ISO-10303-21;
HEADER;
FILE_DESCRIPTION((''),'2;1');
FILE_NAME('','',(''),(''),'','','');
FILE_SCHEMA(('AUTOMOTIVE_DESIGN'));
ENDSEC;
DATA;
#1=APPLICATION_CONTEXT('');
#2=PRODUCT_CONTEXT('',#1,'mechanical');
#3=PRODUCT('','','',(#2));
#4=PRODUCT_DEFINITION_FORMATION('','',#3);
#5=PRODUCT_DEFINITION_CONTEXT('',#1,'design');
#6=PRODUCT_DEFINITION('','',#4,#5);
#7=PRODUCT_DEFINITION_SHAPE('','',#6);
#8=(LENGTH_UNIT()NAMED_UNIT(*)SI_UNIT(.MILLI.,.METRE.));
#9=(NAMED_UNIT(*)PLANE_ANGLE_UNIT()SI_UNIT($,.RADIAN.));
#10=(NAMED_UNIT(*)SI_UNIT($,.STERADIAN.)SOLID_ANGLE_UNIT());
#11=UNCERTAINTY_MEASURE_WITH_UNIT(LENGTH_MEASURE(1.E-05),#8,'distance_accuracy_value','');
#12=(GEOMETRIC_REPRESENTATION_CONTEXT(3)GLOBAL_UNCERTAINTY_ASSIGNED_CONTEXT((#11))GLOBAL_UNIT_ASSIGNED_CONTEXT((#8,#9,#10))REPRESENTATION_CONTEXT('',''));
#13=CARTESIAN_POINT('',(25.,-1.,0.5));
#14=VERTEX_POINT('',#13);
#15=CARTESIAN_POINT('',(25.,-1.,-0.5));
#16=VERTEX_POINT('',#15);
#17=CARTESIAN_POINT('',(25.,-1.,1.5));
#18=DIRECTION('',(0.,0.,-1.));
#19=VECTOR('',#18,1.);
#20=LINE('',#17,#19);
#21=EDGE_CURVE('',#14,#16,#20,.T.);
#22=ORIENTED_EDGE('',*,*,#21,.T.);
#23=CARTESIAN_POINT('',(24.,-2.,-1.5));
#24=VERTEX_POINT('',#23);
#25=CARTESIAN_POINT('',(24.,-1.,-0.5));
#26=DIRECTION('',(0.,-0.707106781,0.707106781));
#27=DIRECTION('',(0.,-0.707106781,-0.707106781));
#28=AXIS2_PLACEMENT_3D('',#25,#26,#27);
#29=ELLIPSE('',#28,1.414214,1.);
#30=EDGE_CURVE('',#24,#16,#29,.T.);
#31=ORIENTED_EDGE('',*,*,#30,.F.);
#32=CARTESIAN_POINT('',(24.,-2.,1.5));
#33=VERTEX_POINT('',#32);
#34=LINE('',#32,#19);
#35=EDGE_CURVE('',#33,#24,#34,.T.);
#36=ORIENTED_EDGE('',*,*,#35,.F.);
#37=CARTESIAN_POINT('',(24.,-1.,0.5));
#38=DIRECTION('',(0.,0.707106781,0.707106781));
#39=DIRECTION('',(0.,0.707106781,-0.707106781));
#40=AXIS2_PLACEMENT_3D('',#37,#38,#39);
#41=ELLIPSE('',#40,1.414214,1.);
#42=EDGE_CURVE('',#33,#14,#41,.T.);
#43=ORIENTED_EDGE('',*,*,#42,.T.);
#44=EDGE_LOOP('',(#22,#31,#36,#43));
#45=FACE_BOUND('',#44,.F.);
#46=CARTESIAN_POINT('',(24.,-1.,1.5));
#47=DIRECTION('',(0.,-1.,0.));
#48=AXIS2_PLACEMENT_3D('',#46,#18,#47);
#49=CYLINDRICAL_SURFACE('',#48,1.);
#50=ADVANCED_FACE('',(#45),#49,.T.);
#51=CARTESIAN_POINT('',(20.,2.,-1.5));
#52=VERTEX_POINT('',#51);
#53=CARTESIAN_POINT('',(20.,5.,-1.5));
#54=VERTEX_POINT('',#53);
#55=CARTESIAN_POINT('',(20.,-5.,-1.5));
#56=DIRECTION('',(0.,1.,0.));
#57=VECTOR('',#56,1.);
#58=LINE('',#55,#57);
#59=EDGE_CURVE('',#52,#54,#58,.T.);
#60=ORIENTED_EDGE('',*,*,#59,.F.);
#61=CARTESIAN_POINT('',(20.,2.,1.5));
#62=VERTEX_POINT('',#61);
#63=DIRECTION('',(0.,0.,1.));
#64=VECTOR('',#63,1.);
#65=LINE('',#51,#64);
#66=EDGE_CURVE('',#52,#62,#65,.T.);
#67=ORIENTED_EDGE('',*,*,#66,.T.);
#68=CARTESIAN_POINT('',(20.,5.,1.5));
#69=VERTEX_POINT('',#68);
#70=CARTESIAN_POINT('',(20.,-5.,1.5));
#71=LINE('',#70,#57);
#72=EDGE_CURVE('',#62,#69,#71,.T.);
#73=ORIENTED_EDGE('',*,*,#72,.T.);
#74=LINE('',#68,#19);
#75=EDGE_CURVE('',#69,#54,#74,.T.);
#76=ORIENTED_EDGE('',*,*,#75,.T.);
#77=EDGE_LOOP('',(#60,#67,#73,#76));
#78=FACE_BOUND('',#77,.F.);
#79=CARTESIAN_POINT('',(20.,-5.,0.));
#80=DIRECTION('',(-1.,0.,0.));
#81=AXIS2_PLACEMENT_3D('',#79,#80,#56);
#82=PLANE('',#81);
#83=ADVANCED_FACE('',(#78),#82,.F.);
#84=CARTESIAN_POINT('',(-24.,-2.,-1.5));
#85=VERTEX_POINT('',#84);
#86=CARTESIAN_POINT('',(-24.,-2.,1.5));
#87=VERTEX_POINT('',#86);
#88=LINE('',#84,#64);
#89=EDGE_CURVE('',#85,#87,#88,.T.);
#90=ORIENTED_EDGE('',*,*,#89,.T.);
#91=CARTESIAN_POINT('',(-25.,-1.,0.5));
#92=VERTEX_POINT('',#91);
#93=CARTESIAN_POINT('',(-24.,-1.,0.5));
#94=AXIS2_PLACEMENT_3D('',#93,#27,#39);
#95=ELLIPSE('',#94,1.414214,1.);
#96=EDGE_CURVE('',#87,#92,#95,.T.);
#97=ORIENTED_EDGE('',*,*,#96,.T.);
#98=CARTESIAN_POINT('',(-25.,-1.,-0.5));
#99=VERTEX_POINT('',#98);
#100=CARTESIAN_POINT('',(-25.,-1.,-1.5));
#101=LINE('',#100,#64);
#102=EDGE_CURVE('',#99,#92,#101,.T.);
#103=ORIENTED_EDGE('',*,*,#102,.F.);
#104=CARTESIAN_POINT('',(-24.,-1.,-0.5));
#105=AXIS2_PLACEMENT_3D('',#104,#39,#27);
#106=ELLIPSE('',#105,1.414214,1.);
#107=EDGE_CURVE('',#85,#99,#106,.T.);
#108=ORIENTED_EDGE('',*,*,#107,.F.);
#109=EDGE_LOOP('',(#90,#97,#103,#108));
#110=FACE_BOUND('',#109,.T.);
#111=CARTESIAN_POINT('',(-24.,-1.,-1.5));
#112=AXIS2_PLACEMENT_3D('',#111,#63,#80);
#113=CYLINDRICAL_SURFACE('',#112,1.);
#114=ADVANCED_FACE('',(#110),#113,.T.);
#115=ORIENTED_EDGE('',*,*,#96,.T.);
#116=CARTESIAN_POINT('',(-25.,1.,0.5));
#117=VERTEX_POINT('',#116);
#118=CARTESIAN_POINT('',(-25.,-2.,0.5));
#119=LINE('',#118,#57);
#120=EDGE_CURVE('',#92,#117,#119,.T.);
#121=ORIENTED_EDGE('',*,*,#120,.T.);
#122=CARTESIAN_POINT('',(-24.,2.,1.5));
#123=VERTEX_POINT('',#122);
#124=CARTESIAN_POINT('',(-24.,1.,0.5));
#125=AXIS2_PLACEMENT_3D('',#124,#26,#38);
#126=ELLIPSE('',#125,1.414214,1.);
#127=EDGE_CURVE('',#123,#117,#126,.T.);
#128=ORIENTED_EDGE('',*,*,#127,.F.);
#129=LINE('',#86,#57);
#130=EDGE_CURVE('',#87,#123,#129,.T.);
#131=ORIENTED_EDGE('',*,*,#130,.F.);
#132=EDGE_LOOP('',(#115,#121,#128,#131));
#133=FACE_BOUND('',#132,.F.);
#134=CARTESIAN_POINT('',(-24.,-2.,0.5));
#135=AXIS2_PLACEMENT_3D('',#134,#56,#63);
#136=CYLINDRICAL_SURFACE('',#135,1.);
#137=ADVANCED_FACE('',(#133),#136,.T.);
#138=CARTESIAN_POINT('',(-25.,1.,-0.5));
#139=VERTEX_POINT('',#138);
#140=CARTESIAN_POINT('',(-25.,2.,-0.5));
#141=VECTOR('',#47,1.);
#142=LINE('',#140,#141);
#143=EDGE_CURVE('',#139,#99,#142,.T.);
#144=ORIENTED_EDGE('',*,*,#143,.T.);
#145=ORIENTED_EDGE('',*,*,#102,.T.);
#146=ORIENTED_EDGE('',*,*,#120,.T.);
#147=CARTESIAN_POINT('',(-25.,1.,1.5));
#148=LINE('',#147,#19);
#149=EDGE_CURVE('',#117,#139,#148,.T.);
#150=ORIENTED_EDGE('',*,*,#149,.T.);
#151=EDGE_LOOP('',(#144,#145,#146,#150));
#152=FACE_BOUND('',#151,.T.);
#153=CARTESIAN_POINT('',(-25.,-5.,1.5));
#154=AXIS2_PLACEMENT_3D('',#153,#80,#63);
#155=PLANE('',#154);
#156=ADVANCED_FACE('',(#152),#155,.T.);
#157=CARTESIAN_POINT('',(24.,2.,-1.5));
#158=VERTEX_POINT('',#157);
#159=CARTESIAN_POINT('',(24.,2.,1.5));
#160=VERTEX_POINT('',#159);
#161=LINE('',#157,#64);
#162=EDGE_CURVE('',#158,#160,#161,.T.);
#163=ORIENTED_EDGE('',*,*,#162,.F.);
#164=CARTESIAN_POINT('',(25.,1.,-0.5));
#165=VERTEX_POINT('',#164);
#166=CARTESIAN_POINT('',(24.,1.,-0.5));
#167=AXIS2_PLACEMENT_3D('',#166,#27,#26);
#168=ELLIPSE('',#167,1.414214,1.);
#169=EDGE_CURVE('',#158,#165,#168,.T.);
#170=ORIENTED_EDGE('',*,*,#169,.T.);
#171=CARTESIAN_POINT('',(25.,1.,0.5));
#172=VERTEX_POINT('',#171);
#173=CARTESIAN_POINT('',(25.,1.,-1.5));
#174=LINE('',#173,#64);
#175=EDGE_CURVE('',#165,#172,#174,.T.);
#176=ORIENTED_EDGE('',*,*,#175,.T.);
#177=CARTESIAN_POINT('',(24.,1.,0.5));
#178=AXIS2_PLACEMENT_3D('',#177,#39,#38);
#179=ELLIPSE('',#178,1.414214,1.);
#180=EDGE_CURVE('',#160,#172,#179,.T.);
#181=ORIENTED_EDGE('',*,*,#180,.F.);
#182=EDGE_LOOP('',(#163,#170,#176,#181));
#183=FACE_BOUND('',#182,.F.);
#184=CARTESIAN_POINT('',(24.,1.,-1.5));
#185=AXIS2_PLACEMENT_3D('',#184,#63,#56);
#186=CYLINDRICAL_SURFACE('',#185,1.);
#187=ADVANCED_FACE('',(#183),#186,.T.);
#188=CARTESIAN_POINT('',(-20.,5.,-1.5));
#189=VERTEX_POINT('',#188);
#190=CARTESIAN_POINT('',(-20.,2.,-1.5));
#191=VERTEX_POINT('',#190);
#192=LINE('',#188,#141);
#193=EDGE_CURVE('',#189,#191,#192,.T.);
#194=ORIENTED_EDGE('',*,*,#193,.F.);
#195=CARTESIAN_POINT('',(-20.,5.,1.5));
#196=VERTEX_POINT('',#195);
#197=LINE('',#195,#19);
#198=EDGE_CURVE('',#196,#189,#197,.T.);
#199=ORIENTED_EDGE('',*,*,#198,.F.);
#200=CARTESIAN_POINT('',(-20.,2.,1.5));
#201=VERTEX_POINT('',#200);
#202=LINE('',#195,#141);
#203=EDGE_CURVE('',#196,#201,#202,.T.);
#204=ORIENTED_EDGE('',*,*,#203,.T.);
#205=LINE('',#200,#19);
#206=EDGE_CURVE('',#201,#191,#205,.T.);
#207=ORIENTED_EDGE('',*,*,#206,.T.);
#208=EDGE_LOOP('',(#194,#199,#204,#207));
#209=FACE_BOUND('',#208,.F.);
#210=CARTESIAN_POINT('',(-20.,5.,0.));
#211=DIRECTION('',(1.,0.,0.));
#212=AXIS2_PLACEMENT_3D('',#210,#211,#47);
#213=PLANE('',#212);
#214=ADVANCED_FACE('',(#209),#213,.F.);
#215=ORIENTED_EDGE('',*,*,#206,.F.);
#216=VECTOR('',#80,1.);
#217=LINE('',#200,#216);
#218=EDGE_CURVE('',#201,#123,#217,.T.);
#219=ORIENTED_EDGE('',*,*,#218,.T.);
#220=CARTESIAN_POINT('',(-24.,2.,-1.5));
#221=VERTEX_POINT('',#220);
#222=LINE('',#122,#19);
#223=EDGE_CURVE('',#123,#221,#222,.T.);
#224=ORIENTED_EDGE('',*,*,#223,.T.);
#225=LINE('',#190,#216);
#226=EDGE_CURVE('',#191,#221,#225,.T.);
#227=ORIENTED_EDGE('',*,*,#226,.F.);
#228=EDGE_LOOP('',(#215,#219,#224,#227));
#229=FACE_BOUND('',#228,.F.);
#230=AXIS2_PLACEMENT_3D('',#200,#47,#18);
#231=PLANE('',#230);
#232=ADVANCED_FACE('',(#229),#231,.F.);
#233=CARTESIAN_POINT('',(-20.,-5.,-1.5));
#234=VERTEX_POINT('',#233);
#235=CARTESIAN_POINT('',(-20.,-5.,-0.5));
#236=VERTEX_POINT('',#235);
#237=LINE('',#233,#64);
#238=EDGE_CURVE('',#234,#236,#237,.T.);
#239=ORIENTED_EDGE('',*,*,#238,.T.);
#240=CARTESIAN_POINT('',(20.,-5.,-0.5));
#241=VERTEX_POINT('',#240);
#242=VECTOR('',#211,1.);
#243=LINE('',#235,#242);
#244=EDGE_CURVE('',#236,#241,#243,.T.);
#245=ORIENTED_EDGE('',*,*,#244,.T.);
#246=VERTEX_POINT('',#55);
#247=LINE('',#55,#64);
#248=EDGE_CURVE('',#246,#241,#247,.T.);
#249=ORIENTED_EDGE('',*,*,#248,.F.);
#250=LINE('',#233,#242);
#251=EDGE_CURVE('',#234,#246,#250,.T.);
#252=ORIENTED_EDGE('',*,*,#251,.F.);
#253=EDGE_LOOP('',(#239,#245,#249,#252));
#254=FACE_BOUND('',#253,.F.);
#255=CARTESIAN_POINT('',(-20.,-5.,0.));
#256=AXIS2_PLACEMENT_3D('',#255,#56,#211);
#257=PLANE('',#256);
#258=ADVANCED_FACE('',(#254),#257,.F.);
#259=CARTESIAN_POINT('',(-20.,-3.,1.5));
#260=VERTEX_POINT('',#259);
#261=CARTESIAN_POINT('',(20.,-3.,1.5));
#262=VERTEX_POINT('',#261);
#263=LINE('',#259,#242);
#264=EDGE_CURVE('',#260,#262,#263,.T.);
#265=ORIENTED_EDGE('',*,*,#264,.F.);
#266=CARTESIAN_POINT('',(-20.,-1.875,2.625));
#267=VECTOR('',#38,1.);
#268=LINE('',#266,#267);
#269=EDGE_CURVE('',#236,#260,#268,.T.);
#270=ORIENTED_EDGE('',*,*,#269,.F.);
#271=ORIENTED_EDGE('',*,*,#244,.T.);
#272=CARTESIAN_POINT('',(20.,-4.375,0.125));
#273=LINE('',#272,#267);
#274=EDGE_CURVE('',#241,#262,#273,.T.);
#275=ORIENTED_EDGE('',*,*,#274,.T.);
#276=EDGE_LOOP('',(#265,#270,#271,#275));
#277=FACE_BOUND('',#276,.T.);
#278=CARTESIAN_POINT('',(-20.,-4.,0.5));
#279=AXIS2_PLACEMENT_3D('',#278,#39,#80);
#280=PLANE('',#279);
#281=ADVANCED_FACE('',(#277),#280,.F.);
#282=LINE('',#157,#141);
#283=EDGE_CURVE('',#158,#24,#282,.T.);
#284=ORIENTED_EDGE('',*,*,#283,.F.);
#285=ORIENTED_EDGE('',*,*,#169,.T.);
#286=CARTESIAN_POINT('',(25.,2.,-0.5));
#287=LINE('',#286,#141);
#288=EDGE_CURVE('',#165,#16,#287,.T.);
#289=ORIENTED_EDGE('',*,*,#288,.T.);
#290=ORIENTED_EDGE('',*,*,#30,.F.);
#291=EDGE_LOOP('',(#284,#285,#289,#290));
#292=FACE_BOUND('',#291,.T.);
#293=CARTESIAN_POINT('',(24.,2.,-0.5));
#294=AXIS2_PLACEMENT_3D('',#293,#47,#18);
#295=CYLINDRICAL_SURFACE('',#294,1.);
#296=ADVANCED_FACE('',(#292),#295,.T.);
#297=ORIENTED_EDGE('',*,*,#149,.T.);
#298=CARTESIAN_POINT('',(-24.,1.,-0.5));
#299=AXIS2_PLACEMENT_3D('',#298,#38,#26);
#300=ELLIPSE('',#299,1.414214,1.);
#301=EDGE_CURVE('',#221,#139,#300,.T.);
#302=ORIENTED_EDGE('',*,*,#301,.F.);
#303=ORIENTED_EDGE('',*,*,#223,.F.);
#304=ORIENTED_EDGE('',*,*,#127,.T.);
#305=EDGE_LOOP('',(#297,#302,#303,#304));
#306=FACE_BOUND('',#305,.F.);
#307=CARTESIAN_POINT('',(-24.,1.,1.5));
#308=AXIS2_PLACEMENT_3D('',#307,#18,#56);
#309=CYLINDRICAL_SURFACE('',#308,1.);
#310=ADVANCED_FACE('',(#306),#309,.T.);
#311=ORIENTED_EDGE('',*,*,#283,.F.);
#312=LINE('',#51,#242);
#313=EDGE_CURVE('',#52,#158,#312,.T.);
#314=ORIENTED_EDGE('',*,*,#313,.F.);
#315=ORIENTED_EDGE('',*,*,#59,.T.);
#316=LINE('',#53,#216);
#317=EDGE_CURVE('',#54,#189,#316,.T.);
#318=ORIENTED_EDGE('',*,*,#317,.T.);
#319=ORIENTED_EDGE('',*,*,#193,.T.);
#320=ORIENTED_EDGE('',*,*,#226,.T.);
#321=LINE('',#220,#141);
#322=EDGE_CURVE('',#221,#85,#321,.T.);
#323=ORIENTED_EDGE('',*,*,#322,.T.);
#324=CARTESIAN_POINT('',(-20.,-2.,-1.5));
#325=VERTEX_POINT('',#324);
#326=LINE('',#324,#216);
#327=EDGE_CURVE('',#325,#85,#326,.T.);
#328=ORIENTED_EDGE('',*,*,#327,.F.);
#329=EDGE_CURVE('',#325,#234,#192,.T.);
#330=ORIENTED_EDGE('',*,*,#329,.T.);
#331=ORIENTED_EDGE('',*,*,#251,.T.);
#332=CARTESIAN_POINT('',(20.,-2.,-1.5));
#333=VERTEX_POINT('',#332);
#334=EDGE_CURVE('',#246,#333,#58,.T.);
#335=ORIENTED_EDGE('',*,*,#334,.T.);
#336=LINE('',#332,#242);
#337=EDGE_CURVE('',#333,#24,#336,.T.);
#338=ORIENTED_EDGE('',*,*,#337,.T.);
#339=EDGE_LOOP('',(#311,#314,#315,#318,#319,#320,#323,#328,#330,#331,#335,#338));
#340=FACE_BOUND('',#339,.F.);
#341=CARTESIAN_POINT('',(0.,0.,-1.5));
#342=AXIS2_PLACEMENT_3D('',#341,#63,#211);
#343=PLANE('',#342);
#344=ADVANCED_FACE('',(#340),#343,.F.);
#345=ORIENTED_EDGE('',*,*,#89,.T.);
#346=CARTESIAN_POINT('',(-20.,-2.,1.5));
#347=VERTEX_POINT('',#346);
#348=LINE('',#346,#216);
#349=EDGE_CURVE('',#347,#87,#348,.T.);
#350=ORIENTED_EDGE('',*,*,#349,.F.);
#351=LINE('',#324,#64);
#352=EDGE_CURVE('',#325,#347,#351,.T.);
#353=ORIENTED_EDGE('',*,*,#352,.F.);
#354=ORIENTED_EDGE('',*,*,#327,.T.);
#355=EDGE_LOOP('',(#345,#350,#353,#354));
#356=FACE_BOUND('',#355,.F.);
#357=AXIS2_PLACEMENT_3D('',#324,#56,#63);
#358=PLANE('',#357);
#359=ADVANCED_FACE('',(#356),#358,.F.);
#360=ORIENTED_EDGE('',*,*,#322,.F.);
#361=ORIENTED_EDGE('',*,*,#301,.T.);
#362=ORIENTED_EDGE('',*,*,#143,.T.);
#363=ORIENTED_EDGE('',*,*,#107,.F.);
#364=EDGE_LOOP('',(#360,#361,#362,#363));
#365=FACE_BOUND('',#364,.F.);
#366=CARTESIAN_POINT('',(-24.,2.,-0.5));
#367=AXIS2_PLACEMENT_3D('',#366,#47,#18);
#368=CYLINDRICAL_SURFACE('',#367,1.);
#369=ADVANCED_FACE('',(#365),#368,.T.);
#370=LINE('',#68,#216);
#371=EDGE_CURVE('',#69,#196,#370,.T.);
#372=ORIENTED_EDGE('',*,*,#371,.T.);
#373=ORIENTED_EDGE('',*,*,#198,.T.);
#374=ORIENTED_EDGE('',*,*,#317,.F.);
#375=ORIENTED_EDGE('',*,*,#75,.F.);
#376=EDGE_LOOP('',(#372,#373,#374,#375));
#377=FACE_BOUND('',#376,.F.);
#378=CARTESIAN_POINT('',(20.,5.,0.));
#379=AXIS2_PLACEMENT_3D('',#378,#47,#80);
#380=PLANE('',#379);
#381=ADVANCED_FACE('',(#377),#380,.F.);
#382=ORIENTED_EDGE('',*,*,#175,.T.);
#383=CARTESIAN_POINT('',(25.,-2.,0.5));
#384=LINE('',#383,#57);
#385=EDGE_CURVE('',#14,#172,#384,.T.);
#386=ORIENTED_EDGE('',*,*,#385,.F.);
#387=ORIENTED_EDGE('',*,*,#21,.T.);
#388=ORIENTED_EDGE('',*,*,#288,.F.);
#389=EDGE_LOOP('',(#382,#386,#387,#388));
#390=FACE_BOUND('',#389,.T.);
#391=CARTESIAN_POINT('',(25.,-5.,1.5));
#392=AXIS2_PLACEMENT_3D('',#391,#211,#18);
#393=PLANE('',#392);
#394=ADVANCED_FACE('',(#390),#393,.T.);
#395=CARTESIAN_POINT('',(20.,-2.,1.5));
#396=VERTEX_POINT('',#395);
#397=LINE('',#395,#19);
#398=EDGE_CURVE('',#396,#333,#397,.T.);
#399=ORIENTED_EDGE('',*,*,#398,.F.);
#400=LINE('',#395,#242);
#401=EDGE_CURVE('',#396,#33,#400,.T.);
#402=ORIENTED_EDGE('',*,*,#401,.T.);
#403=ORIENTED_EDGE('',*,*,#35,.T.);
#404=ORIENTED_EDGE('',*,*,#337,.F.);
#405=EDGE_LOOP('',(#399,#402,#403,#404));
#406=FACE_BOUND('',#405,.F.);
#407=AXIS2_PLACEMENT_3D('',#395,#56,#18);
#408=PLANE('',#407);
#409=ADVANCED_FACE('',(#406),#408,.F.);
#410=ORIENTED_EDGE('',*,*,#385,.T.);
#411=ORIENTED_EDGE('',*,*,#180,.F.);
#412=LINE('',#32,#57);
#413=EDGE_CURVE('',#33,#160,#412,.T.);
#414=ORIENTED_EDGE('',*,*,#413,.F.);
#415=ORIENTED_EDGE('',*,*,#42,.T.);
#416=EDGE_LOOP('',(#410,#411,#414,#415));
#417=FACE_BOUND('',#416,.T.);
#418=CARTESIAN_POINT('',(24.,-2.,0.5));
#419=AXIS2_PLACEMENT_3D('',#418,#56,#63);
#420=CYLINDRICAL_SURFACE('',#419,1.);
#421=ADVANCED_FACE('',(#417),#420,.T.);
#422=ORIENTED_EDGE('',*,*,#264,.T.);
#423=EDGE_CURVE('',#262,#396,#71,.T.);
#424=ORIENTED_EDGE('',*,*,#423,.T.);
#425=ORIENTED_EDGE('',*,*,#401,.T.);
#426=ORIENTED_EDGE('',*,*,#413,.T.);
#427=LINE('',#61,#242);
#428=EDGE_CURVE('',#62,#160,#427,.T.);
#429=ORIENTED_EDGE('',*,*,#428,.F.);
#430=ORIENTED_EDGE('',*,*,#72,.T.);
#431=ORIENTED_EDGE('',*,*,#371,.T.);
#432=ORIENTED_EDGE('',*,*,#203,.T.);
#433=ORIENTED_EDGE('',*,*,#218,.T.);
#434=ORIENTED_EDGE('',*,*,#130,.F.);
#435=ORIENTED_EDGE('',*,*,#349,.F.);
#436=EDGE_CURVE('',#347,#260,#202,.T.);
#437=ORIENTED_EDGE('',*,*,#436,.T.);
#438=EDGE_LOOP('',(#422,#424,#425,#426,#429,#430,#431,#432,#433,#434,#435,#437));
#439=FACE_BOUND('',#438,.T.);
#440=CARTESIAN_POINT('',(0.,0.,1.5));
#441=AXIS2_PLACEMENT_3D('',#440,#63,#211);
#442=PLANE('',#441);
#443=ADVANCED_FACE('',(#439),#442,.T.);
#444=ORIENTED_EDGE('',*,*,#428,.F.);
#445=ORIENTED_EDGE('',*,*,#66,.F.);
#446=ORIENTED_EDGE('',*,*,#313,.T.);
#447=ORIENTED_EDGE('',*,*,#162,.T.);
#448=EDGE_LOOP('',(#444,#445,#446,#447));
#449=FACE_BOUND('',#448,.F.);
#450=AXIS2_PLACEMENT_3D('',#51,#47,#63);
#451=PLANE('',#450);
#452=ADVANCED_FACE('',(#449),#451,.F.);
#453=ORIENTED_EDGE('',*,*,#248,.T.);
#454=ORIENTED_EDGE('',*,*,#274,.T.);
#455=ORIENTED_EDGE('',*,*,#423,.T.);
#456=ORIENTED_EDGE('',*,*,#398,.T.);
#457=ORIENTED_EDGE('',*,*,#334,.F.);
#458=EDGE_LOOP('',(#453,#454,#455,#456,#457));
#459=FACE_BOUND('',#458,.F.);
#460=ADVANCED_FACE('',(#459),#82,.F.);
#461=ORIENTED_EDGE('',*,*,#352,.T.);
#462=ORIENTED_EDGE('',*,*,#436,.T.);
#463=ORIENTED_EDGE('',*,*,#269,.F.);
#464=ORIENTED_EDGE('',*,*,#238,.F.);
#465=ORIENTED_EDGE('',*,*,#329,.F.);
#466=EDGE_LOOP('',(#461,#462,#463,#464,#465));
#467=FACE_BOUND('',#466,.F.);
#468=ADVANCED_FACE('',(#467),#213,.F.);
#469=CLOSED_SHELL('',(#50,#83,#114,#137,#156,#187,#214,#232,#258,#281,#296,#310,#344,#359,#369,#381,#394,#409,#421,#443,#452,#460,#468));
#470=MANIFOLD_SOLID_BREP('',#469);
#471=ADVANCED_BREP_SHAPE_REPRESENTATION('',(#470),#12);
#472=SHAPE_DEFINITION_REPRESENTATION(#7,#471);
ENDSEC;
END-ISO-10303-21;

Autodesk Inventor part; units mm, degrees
ref_plane "YZ Plane" through (0, 0, 0) normal (1, 0, 0) x (0, 1, 0)
ref_plane "XZ Plane" through (0, 0, 0) normal (0, 1, 0) x (-1, 0, 0)
ref_plane "XY Plane" through (0, 0, 0) normal (0, 0, 1) x (1, 0, 0)
sketch "スケッチ1" plane through (0, 0, 0) normal (0, 0, 1) x (1, 0, 0)
  line L0 (-20, -5) -> (20, -5)
  line L1 (20, -5) -> (20, 5)
  line L2 (20, 5) -> (-20, 5)
  line L3 (-20, 5) -> (-20, -5)
  line L4 (-20, -5) -> (20, 5) construction
  line L5 (20, -5) -> (-20, 5) construction
  point P0 (0, 0)
  dimension "d0" = 40
  dimension "d1" = 10
extrude "押し出し1" add sketch "スケッチ1" along normal mid plane 3
sketch "スケッチ2" plane through (-20, -5, 1.5) normal (-1, 0, 0) x (0, 0, 1)
  line L0 (0, 0) -> (0, 10) projected
  line L1 (-3, 3) -> (0, 3)
  line L2 (0, 3) -> (0, 7)
  line L3 (0, 7) -> (-3, 7)
  line L4 (-3, 7) -> (-3, 3)
  line L5 (-3, 3) -> (0, 7) construction
  line L6 (0, 3) -> (-3, 7) construction
  point P0 (-1.5, 5)
  dimension "d4" = 4
extrude "押し出し2" add sketch "スケッチ2" along normal blind 5
sketch "スケッチ3" plane through (20, -5, 1.5) normal (1, 0, 0) x (0, 0, -1)
  line L0 (3, 7) -> (0, 7) projected
  line L1 (0, 3) -> (3, 3) projected
  line L2 (3, 10) -> (0, 10) projected
  line L3 (0, 0) -> (0, 10) projected
  line L4 (0, 0) -> (3, 0) projected
  line L5 (3, 10) -> (3, 0) projected
  point P0 (1.5, 5)
extrude "押し出し3" add sketch "スケッチ3" along normal blind 5 contours L5 L1 L3 L0
fillet "フィレット1" radius 1 8 edges at (25, 2, 0) (25, 0, 1.5) (25, 0, -1.5) (25, -2, 0) (-25, 0, 1.5) (-25, 0, -1.5) (-25, 2, 0) (-25, -2, 0)
chamfer "面取り1" distance 2 angle 45 1 edges at (0, -5, 1.5)
properties part number "刃"
